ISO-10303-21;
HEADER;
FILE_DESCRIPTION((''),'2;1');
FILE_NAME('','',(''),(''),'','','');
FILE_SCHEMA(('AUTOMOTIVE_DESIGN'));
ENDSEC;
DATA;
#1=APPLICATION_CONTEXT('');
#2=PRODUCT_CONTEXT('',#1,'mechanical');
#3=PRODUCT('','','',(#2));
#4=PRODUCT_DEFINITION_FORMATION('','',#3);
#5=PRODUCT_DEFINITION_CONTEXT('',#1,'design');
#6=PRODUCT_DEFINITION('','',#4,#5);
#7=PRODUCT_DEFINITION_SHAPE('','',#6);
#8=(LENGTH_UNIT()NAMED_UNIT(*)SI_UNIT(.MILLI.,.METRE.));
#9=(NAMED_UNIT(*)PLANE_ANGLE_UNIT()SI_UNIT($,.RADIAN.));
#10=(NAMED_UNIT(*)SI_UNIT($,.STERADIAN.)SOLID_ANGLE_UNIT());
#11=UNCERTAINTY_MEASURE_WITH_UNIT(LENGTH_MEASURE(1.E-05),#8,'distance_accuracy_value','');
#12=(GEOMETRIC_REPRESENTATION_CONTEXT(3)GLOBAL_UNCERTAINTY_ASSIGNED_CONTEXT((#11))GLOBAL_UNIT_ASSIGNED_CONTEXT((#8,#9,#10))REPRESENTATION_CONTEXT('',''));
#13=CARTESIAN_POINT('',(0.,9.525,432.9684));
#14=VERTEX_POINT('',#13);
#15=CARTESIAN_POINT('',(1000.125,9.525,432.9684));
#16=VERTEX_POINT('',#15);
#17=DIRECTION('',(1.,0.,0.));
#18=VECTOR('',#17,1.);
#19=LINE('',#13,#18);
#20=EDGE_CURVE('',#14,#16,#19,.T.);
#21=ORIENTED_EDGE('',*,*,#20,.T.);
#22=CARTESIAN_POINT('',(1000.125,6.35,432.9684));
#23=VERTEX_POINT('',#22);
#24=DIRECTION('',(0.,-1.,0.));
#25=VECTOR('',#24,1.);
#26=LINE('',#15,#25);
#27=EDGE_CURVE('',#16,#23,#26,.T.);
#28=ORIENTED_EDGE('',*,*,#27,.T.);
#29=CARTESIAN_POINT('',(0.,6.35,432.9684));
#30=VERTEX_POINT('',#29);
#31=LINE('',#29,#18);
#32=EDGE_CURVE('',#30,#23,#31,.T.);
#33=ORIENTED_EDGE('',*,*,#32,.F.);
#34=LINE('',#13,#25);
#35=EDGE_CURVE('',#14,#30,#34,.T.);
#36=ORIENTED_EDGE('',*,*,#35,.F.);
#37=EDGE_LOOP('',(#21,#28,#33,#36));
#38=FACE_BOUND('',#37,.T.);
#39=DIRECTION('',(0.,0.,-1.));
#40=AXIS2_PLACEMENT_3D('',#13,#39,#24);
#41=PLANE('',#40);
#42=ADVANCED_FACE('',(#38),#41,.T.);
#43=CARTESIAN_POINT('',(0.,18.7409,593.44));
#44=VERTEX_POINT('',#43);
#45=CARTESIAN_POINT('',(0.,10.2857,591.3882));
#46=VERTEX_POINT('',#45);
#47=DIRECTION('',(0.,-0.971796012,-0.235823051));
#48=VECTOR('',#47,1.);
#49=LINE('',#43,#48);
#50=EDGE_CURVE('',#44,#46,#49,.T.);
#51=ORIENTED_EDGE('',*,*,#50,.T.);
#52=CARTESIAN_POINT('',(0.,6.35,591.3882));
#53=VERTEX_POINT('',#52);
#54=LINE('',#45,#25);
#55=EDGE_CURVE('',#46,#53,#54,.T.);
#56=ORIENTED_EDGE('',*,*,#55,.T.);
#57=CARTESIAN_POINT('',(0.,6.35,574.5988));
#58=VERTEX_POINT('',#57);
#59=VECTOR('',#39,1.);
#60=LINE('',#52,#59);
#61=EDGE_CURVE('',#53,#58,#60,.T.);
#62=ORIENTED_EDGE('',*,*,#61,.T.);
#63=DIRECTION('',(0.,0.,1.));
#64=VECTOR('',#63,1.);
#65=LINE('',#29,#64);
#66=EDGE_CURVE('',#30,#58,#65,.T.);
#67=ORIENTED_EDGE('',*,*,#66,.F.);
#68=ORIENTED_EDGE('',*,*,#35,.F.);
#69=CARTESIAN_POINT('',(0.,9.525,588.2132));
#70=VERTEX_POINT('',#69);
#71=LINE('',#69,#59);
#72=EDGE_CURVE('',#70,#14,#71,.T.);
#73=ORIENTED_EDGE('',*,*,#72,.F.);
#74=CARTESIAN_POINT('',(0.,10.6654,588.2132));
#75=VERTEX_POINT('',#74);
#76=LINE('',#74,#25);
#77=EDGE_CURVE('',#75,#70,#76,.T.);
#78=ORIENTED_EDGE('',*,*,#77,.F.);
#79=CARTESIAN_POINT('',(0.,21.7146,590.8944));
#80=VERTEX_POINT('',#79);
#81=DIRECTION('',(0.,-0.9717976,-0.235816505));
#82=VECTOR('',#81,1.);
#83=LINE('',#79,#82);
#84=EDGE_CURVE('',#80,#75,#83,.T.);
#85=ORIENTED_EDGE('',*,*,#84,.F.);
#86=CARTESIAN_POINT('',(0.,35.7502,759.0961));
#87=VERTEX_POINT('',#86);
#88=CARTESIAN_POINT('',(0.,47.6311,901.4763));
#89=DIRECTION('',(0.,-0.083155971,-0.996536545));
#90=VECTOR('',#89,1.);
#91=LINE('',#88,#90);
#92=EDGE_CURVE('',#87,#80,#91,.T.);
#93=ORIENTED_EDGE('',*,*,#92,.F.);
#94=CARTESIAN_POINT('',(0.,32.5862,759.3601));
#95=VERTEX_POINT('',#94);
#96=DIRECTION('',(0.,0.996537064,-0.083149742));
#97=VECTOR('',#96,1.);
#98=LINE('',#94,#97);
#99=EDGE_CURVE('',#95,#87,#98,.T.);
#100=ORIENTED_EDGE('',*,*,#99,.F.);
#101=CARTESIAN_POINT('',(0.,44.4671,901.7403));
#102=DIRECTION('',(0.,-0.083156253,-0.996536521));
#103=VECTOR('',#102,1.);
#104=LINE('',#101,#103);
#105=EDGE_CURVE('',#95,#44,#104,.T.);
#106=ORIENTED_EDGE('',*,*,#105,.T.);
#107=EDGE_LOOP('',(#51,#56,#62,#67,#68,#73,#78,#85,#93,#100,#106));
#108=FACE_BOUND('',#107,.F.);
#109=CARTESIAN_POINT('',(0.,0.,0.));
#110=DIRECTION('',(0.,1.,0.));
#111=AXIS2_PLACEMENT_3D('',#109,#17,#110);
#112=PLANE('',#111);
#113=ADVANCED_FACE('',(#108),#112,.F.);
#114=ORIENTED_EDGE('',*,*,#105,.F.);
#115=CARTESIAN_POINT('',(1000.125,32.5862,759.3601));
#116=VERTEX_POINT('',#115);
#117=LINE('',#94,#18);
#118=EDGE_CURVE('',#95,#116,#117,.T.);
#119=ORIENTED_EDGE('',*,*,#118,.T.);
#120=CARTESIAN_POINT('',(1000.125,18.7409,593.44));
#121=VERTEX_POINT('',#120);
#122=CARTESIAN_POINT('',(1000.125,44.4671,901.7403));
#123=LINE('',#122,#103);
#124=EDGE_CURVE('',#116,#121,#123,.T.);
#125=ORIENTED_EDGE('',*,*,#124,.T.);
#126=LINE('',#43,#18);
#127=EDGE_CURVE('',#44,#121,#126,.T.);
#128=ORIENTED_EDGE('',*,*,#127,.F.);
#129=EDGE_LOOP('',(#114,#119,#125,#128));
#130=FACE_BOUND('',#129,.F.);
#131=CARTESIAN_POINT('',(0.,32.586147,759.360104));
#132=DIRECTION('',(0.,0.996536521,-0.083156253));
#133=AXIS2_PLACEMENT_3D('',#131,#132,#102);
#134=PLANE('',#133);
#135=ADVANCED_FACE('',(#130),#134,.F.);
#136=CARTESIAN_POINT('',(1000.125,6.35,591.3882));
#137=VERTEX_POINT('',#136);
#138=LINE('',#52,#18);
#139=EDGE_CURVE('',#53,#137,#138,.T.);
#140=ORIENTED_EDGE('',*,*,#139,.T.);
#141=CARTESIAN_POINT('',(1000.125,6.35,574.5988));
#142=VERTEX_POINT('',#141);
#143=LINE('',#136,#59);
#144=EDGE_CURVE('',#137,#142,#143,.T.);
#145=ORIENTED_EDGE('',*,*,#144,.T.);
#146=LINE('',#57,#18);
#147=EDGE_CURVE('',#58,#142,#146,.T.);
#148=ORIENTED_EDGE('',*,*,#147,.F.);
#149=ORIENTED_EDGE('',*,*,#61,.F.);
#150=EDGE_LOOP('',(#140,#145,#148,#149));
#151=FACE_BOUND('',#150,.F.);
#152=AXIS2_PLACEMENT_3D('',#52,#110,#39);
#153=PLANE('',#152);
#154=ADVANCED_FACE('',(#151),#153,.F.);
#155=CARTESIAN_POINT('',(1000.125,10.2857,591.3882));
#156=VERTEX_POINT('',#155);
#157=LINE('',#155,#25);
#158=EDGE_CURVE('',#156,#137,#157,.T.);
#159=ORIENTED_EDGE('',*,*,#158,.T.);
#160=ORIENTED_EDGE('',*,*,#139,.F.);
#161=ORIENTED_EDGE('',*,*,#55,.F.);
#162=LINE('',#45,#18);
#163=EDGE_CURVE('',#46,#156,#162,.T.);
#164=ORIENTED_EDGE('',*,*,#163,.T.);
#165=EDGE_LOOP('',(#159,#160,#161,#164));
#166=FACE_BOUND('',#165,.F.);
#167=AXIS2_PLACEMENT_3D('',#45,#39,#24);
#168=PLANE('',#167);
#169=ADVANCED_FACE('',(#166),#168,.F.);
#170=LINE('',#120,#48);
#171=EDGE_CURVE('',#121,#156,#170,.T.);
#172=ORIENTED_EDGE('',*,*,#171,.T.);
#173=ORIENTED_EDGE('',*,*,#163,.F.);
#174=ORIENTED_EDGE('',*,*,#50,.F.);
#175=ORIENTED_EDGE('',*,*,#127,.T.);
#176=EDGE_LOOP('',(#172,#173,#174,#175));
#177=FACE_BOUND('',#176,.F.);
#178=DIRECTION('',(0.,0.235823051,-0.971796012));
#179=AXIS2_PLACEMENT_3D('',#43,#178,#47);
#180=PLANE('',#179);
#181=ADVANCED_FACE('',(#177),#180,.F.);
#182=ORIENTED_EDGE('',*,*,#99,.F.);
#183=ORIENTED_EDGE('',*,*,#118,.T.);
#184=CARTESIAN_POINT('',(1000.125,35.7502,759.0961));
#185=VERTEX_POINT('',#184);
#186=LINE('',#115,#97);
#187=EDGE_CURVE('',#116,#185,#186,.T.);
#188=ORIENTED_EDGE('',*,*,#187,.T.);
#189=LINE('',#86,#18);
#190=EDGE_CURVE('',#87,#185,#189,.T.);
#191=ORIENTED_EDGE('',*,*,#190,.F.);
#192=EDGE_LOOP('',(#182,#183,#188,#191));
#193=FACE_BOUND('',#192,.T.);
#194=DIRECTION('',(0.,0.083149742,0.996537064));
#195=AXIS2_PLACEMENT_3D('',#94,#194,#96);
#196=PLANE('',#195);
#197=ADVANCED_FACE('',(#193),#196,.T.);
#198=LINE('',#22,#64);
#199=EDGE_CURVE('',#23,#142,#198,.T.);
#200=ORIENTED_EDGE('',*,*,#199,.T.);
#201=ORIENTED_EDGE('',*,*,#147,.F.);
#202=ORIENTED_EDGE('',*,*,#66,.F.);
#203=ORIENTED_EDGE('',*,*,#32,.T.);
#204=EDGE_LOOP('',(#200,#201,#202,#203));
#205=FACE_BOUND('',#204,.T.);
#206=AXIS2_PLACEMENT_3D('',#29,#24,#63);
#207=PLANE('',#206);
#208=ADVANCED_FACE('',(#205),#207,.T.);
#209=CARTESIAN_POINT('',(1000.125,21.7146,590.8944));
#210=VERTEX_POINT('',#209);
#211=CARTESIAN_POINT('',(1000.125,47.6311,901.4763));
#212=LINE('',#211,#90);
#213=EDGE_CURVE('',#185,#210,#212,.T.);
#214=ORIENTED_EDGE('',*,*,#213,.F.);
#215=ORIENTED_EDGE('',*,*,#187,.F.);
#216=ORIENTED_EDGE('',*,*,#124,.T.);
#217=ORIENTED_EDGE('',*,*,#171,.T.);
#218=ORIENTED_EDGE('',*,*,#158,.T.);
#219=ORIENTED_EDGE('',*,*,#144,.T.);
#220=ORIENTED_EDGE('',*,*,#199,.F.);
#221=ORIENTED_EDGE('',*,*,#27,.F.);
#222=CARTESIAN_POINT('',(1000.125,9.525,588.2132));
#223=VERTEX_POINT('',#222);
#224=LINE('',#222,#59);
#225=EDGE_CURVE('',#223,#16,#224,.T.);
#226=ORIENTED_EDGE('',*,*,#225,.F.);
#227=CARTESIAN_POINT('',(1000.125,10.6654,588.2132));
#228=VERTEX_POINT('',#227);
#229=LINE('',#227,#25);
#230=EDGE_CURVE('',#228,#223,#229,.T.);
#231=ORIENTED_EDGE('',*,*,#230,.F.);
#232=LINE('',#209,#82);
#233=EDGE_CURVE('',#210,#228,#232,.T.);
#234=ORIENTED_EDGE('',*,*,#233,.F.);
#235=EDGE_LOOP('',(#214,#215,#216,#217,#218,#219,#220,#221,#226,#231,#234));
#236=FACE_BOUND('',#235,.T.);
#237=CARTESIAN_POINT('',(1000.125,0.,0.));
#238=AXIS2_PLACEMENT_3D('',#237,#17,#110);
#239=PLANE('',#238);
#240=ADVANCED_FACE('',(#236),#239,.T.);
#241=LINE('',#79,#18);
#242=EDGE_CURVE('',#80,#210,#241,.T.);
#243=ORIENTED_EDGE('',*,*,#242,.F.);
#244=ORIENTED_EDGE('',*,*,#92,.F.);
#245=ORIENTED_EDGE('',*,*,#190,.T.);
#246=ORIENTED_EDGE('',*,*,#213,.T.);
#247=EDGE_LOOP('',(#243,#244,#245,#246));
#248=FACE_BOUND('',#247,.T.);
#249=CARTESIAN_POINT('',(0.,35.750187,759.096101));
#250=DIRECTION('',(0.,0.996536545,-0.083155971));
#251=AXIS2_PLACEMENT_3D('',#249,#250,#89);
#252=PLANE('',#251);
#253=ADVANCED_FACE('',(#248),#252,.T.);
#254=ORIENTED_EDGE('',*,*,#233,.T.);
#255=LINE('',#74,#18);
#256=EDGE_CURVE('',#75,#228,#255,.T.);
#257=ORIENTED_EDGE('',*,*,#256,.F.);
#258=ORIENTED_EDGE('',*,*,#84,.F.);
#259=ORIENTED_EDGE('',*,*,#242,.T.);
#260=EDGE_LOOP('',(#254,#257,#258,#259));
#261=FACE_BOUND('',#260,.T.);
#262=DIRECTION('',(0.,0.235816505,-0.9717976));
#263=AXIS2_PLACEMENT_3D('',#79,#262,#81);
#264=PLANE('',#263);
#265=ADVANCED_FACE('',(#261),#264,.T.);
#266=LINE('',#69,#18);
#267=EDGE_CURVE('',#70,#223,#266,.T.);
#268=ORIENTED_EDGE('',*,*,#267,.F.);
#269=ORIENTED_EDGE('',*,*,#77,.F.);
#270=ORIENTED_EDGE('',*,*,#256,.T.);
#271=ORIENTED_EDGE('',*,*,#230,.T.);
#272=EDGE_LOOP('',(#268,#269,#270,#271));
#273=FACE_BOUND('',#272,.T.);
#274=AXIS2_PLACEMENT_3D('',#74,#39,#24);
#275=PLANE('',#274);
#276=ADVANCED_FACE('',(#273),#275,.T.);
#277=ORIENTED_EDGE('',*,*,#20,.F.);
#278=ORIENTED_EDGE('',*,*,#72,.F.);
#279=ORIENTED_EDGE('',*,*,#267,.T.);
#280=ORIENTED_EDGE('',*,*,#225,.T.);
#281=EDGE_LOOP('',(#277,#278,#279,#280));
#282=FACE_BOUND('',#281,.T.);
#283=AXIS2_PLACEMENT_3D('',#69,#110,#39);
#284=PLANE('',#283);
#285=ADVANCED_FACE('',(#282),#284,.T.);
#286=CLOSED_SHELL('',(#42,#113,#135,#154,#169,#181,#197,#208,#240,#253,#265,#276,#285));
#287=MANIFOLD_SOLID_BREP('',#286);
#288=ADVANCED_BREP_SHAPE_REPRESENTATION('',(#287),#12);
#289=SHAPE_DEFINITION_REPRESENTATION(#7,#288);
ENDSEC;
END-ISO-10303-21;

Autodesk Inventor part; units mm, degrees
ref_plane "YZ Plane" through (0, 0, 0) normal (1, 0, 0) x (0, 1, 0)
ref_plane "XZ Plane" through (0, 0, 0) normal (0, 1, 0) x (-1, 0, 0)
ref_plane "XY Plane" through (0, 0, 0) normal (0, 0, 1) x (1, 0, 0)
sketch "Sketch1" plane through (0, 0, 0) normal (1, 0, 0) x (0, 1, 0)
  line L0 (0, 0) -> (0, 597.7382)
  line L1 (0, 0) -> (3.175, 0)
  line L2 (3.175, 0) -> (3.175, 594.5632)
  line L3 (3.175, 594.5632) -> (9.906, 594.5632)
  line L4 (9.906, 594.5632) -> (15.756, 595.9828)
  line L5 (0, 597.7382) -> (9.5263, 597.7382)
  line L6 (9.5263, 597.7382) -> (12.7824, 598.5283)
  line L7 (41.2921, 902.0052) -> (15.756, 595.9828)
  line L8 (12.7824, 598.5283) -> (38.1281, 902.2692)
  line L9 (38.1281, 902.2692) -> (41.2921, 902.0052)
  line L10 (41.2921, 902.0052) -> (44.4671, 901.7403)
  line L11 (44.4671, 901.7403) -> (18.7409, 593.44)
  line L12 (18.7409, 593.44) -> (10.2857, 591.3882)
  line L13 (10.2857, 591.3882) -> (6.35, 591.3882)
  line L14 (6.35, 591.3882) -> (6.35, 574.5988)
  line L15 (6.35, 574.5988) -> (3.175, 574.5988)
  line L16 (44.4671, 901.7403) -> (47.6311, 901.4763)
  line L17 (47.6311, 901.4763) -> (21.7146, 590.8944)
  line L18 (21.7146, 590.8944) -> (10.6654, 588.2132)
  line L19 (10.6654, 588.2132) -> (9.525, 588.2132)
  line L20 (9.525, 588.2132) -> (9.525, 432.9684)
  line L21 (9.525, 432.9684) -> (6.35, 432.9684)
  line L22 (6.35, 432.9684) -> (6.35, 574.5988)
  line L23 (32.5862, 759.3601) -> (35.7502, 759.0961)
  point P0 (14.5133, 592.4141)
  dimension "d0" = 594.5632
  dimension "d1" = 3.175
  dimension "d2" = 6.731
  dimension "d7" = 3.175
  dimension "d8" = 6.0198
  dimension "d9" = 166.36
  dimension "d10" = 3.175
  dimension "d11" = 108.41
  dimension "d12" = 3.175
  dimension "d13" = 307.086
  dimension "d18" = 3.175
  dimension "d20" = 307.1025
  dimension "d21" = 8.7006
  dimension "d22" = 3.175
  dimension "d23" = 3.175
  dimension "d24" = 3.9357
  dimension "d25" = 16.7894
  dimension "d28" = 3.175
  dimension "d29" = 3.186
  dimension "d30" = 3.175
  dimension "d32" = 3.175
  dimension "d33" = 3.175
  dimension "d34" = 142.875
  dimension "d35" = 168.7862
  dimension "d36" = 11.3698
  dimension "d37" = 1.1404
  dimension "d38" = 155.2448
extrude "Extrusion3" add sketch "Sketch1" along normal blind 1000.125 contours L14 L13 L12 L11 L23 L17 L18 L19 L20 L21 L22
properties part number "Second_Shingle_Over_Intake_Vent_With_Length_39.375_Inches"
